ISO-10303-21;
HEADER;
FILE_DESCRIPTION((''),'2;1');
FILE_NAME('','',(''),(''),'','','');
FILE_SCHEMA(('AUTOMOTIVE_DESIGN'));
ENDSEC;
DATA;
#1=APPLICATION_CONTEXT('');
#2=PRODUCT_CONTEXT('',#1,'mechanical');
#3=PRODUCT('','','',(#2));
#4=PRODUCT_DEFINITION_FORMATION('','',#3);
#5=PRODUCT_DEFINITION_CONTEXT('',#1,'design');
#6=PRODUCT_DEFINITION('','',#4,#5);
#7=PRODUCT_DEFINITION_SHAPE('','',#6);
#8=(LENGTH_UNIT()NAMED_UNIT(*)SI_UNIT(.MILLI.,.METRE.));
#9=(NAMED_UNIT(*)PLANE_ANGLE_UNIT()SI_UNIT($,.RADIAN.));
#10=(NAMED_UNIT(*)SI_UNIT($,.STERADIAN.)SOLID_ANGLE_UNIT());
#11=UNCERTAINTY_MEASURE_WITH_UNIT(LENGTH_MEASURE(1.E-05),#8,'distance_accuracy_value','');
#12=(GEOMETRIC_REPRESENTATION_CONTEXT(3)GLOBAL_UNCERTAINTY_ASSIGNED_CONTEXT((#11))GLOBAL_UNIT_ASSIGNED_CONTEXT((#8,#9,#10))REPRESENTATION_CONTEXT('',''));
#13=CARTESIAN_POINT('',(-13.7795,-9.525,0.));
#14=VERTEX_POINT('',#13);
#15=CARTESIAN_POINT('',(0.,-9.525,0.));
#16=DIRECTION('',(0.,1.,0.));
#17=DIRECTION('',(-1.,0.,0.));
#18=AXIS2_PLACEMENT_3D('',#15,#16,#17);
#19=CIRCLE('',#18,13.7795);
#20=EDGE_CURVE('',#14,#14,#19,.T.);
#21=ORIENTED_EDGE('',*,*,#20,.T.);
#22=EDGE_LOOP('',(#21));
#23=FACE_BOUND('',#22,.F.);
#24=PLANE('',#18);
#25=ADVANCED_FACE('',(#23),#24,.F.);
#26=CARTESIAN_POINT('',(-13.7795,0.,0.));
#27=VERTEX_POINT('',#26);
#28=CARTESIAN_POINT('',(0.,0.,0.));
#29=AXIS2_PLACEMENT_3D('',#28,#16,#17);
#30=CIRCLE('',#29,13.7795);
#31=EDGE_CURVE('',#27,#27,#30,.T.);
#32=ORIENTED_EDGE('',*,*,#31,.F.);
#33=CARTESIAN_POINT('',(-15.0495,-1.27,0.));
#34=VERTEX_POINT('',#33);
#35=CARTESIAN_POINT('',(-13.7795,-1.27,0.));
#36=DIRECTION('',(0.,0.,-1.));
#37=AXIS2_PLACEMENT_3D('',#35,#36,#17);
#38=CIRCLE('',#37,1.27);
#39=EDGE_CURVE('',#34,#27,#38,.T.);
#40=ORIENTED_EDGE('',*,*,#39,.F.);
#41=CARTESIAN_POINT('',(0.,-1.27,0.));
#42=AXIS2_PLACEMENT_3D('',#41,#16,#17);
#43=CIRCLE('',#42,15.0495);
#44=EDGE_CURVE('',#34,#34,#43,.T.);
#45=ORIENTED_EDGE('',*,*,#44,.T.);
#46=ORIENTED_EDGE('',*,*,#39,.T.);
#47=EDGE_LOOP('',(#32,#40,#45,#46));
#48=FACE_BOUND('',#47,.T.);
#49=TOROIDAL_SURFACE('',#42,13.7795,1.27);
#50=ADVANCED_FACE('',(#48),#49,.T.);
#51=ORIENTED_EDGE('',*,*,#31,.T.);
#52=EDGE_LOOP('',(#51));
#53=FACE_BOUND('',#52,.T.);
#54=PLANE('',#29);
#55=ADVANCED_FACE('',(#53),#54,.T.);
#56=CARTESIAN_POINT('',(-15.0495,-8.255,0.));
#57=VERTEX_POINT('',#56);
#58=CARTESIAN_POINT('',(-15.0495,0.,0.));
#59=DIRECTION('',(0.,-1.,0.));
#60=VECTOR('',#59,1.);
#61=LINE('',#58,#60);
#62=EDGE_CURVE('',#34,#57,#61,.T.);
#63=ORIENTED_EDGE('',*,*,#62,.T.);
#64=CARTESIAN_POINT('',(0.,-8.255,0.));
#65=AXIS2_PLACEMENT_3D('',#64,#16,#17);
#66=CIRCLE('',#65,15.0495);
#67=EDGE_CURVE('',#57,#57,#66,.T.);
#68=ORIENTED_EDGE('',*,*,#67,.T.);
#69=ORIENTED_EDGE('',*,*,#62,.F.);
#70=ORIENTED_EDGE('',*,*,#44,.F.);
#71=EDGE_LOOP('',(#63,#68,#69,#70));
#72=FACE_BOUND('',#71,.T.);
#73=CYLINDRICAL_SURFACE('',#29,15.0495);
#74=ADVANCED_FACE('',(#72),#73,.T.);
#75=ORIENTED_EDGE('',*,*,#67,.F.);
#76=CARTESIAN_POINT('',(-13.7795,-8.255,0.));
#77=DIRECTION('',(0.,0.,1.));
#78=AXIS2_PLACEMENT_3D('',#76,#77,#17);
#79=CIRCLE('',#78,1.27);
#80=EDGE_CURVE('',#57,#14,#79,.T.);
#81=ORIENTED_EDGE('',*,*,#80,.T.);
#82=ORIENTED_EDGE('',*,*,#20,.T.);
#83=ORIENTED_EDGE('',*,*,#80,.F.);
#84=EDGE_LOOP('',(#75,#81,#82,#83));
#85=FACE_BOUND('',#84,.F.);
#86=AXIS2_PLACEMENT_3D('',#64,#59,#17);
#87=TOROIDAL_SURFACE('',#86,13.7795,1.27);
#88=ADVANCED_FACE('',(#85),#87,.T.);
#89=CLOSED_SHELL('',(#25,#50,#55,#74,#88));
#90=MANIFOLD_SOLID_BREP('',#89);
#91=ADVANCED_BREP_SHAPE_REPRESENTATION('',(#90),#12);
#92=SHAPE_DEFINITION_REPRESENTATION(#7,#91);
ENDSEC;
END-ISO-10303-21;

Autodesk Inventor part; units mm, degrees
ref_plane "YZ Plane" through (0, 0, 0) normal (1, 0, 0) x (0, 1, 0)
ref_plane "XZ Plane" through (0, 0, 0) normal (0, 1, 0) x (-1, 0, 0)
ref_plane "XY Plane" through (0, 0, 0) normal (0, 0, 1) x (1, 0, 0)
sketch "Sketch1" plane through (0, 0, 0) normal (0, 1, 0) x (-1, 0, 0)
  circle A0 centre (0, 0) radius 15.0495
  dimension "d0" = 30.099
extrude "Extrusion1" add sketch "Sketch1" against normal blind 9.525
fillet "Fillet1" radius 1.27 2 edges at (15.0495, 0, 0) (15.0495, -9.525, 0)
properties part number "backGammonPiece"
